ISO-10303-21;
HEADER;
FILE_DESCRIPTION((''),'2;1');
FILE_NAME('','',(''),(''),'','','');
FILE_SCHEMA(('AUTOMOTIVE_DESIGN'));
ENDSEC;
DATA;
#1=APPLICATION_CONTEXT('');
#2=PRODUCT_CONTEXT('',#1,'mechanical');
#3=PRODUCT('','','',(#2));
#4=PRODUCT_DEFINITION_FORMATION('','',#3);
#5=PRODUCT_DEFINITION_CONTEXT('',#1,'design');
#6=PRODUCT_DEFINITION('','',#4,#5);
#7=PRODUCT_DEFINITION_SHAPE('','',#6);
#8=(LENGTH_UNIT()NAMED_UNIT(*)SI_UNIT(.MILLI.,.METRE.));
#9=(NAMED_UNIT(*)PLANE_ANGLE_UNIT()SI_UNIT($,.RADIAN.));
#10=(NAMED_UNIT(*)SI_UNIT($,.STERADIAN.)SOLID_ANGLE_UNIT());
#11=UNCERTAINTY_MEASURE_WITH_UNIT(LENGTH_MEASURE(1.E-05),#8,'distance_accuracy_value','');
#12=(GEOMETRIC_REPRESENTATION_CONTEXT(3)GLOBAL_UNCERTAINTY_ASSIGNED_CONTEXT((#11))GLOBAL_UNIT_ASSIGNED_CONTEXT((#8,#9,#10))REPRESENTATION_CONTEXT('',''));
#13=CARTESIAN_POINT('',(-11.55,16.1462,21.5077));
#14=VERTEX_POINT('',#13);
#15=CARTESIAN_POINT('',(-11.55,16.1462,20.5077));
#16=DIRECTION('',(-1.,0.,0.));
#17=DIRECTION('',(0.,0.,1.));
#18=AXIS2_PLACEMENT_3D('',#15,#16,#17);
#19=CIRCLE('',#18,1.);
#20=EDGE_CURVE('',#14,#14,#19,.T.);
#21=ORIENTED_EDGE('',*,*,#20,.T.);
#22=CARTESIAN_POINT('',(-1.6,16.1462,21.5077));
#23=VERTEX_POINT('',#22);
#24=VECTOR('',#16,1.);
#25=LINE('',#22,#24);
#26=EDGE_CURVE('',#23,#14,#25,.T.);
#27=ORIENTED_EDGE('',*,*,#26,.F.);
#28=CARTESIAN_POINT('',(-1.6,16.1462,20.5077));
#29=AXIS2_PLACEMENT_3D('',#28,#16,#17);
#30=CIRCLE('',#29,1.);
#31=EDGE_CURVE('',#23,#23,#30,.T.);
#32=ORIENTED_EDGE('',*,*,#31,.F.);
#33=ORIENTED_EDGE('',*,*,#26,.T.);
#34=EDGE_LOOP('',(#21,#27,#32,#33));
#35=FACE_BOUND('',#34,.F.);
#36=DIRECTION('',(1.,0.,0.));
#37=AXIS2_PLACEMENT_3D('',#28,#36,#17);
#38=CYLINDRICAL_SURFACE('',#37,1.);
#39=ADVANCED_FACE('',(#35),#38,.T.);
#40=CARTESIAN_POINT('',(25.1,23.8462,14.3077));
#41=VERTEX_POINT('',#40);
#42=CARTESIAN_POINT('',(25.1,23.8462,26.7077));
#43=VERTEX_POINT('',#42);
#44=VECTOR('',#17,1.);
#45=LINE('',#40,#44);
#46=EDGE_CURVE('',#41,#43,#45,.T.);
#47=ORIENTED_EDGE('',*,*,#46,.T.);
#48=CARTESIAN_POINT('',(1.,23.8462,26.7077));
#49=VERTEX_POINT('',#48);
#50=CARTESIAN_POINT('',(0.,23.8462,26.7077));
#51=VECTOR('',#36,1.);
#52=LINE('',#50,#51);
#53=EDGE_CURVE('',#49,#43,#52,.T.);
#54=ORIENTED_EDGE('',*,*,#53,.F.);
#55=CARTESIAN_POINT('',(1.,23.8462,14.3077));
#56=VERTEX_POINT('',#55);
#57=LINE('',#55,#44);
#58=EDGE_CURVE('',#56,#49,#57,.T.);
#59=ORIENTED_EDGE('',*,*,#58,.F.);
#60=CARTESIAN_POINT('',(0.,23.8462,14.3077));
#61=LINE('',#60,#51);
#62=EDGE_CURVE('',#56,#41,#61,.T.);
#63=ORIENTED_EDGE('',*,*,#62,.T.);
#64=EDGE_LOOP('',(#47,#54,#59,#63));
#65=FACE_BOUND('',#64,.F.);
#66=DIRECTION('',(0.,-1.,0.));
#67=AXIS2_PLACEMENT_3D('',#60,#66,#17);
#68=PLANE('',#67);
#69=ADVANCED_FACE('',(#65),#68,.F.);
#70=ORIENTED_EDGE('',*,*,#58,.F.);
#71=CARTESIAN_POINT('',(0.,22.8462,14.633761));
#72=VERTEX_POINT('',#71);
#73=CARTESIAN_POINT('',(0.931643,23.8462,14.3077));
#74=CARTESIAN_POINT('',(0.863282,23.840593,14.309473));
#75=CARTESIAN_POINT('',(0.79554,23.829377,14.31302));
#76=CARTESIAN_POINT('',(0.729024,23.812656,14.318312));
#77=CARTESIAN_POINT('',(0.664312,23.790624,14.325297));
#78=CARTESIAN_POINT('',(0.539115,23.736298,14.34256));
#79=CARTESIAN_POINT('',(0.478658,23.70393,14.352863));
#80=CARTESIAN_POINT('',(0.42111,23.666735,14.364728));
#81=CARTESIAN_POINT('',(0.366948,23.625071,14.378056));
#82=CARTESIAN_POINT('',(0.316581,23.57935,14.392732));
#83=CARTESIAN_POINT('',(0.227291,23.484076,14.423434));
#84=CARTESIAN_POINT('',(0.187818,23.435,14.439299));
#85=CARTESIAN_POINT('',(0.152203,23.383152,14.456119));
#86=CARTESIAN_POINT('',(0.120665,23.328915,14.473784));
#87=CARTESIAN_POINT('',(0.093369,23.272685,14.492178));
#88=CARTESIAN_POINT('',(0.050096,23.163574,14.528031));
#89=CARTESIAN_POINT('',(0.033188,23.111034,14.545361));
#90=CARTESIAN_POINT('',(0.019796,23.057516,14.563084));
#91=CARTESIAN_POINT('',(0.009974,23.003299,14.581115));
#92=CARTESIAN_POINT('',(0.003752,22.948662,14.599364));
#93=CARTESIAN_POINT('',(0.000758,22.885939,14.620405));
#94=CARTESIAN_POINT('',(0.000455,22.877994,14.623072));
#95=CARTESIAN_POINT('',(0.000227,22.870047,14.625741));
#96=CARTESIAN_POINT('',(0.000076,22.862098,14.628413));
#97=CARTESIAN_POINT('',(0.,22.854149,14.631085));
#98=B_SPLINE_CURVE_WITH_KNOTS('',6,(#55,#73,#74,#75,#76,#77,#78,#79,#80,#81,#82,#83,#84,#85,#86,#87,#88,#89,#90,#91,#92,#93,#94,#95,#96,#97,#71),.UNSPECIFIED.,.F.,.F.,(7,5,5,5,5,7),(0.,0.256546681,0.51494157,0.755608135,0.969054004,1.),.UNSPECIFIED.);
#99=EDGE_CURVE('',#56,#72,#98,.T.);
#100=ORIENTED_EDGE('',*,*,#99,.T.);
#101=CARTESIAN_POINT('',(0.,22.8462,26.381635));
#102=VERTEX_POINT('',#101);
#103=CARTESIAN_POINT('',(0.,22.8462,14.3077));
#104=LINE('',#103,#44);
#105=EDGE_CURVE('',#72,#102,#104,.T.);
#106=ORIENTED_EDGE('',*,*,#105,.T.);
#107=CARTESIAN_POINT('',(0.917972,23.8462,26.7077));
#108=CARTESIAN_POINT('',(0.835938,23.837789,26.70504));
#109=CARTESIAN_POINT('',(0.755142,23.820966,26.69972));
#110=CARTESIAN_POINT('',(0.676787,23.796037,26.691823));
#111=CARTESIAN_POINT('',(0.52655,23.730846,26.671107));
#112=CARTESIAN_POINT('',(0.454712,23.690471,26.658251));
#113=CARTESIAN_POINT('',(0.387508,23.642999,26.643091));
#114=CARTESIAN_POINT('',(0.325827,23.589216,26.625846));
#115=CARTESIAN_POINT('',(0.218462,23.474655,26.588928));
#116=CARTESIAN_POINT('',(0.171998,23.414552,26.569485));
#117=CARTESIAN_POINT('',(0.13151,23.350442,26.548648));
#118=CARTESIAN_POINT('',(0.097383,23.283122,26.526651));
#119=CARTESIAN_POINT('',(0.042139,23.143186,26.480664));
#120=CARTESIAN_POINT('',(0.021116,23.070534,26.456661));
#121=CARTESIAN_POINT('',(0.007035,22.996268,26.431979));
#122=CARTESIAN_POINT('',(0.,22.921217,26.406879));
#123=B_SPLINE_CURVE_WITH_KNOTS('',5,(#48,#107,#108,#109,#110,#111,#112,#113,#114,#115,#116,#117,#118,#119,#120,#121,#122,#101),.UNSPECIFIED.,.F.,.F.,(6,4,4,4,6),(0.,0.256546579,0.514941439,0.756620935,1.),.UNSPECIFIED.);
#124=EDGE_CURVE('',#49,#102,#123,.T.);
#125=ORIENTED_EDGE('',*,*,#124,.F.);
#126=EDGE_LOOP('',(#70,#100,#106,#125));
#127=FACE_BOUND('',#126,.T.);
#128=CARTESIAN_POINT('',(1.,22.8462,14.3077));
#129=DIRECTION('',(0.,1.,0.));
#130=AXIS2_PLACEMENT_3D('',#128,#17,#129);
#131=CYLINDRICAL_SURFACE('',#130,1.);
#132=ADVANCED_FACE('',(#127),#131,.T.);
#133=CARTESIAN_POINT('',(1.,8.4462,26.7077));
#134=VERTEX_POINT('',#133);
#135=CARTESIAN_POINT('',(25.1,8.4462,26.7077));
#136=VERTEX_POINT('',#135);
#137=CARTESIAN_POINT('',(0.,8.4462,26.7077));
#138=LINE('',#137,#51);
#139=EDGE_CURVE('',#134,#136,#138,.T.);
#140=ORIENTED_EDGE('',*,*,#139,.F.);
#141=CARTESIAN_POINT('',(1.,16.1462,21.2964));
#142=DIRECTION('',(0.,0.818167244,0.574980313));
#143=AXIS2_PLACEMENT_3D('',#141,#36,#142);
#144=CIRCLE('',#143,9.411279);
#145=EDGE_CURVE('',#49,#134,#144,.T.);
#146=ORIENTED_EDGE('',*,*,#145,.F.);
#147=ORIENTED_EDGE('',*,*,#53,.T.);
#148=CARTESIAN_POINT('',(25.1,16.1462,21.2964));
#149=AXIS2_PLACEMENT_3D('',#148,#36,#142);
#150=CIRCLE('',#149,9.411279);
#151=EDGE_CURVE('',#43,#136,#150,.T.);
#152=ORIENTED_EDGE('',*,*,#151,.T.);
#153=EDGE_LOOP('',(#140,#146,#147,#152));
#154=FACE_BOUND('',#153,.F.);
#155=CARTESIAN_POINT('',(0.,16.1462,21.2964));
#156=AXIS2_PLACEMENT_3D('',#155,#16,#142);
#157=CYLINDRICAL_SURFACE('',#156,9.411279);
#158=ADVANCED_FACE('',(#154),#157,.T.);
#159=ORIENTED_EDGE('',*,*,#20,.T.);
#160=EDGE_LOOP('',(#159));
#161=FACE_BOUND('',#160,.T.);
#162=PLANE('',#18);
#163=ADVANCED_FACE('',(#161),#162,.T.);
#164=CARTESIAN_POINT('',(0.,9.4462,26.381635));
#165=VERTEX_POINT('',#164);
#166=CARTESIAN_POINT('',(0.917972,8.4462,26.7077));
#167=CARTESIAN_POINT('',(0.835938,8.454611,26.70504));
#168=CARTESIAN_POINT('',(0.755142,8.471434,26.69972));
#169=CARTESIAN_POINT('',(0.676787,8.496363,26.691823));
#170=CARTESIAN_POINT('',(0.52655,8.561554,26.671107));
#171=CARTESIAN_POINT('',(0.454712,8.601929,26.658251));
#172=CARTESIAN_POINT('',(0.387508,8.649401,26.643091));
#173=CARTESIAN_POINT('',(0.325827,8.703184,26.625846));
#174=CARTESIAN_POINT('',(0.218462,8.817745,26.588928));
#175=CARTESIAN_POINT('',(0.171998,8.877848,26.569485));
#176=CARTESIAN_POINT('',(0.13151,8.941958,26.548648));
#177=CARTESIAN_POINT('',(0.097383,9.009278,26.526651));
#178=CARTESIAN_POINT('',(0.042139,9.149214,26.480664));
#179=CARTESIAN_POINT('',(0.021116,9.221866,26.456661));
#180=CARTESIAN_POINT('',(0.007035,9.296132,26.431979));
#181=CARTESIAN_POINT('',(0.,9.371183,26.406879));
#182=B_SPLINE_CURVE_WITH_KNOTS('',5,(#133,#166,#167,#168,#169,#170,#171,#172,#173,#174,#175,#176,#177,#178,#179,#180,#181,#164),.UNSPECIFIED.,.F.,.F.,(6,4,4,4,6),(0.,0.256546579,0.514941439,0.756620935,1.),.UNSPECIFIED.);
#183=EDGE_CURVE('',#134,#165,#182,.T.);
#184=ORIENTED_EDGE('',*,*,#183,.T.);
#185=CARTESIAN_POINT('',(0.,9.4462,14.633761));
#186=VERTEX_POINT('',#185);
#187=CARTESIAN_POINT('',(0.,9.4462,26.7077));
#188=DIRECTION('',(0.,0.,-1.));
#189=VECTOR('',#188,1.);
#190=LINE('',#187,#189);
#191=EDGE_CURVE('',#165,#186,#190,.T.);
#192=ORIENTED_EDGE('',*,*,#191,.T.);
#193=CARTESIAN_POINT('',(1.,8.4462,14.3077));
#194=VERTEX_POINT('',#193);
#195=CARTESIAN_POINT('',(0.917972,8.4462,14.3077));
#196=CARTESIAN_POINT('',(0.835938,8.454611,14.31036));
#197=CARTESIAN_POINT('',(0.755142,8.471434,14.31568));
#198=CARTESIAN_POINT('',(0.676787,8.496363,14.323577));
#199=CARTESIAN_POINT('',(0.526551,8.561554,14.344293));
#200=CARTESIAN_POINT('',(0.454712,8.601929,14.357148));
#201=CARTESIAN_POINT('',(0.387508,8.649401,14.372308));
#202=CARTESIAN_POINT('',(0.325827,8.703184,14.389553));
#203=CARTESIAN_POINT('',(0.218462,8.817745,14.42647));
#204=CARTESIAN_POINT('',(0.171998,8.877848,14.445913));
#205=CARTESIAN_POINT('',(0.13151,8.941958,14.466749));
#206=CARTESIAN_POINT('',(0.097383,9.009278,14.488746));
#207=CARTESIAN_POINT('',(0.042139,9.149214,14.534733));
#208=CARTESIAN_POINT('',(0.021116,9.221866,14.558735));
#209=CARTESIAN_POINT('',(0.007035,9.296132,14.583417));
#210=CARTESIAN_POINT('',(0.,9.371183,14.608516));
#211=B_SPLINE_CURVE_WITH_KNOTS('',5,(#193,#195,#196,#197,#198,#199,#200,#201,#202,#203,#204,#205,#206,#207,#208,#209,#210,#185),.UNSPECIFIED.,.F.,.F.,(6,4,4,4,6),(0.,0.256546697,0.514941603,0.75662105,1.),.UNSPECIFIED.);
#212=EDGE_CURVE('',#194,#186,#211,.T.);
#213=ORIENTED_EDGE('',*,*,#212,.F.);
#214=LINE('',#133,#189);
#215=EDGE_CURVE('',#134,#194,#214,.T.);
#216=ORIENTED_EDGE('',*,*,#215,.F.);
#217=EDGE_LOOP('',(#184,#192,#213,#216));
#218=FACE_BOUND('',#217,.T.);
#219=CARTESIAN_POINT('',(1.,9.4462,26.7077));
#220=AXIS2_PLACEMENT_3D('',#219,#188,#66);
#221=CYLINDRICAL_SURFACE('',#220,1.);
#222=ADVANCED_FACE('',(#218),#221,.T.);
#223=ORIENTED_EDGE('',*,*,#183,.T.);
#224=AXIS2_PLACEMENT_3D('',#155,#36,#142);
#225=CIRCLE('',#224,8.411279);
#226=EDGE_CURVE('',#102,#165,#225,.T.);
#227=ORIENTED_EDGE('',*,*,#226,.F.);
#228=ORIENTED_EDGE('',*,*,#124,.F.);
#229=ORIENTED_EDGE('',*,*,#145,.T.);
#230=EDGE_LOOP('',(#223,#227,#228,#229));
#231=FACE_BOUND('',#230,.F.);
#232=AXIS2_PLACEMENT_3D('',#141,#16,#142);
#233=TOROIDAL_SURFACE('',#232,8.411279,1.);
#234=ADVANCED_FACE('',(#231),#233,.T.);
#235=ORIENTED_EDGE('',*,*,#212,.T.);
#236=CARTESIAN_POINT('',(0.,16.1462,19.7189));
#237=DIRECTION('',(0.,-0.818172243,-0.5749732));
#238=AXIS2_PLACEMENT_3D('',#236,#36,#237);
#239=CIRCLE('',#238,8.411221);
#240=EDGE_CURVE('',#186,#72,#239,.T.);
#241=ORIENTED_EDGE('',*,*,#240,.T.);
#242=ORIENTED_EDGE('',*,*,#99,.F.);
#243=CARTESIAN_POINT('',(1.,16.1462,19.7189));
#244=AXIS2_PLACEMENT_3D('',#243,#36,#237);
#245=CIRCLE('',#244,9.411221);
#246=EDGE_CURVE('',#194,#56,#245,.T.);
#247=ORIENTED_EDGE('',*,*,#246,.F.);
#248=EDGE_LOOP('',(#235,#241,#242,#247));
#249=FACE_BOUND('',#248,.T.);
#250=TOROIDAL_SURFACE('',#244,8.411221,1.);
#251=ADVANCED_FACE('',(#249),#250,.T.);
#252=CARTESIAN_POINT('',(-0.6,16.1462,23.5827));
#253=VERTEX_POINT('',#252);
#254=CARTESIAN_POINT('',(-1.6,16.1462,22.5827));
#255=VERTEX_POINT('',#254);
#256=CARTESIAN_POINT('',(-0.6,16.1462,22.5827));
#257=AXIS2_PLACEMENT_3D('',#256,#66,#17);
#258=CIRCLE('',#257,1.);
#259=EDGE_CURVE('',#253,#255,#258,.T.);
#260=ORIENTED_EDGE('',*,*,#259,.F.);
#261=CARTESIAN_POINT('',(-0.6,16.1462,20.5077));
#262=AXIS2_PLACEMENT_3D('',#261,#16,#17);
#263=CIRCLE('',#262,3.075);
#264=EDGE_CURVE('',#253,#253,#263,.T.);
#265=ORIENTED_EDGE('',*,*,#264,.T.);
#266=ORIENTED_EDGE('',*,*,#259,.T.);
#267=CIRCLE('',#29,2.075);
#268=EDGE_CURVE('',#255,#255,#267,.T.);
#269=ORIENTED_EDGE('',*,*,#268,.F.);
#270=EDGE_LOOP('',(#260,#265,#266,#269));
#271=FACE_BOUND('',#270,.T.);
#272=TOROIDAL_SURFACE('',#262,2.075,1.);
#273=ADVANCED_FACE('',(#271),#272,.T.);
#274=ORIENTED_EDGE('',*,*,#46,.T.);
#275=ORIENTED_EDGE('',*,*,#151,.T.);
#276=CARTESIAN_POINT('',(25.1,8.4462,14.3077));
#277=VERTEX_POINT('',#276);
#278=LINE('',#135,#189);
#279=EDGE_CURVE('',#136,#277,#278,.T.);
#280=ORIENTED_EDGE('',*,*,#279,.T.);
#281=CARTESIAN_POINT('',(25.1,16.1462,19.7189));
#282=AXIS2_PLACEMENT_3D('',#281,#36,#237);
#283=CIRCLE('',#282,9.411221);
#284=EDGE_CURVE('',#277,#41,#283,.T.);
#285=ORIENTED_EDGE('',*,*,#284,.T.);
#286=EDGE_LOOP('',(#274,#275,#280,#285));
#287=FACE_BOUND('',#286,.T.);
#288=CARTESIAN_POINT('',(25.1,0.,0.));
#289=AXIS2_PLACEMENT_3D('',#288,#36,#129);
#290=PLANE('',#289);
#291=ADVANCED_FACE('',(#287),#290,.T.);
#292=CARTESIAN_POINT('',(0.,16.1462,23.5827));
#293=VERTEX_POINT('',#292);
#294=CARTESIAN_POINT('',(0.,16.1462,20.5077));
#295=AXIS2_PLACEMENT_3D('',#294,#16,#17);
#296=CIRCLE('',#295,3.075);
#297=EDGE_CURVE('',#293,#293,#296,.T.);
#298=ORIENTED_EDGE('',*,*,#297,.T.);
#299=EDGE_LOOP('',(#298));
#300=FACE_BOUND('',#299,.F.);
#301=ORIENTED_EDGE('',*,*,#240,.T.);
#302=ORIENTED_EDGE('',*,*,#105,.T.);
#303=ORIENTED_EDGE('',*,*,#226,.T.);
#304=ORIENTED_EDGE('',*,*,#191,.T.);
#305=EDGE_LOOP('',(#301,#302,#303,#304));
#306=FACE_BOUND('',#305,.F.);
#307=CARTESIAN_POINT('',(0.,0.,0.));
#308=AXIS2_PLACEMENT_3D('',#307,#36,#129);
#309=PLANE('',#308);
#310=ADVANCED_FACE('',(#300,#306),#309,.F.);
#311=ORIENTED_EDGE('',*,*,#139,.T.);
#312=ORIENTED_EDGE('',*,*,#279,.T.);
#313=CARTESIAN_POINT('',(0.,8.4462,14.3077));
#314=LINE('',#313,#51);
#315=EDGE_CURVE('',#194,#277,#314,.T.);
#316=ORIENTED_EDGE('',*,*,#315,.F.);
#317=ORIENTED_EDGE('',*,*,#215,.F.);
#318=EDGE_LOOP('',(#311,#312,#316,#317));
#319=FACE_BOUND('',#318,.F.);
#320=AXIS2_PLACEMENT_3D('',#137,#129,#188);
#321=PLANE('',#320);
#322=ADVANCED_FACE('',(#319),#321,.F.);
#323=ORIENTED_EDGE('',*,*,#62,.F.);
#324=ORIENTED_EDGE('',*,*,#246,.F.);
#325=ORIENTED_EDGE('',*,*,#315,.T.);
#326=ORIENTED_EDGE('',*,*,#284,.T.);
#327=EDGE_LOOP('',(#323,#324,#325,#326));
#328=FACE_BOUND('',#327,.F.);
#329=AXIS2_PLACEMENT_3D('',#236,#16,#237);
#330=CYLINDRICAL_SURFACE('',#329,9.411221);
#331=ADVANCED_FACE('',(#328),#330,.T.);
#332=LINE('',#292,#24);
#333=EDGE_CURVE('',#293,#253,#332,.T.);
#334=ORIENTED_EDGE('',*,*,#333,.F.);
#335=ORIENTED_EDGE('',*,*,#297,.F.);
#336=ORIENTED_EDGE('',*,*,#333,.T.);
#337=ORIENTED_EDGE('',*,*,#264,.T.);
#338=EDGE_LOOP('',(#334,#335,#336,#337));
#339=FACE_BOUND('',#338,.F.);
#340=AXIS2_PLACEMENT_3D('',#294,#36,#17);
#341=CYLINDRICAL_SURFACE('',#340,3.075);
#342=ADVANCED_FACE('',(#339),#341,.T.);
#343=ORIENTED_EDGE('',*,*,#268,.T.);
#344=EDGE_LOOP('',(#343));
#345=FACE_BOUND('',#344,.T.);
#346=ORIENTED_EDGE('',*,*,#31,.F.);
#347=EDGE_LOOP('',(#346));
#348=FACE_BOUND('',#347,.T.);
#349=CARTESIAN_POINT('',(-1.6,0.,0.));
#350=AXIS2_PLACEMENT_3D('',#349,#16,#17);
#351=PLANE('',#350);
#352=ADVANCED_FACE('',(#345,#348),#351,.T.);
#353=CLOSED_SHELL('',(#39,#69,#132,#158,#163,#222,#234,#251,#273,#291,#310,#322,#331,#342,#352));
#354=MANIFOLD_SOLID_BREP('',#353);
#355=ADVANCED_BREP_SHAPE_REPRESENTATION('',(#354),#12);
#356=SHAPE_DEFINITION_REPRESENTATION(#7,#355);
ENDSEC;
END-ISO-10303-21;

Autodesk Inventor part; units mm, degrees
ref_plane "YZ Plane" through (0, 0, 0) normal (1, 0, 0) x (0, 1, 0)
ref_plane "XZ Plane" through (0, 0, 0) normal (0, 1, 0) x (-1, 0, 0)
ref_plane "XY Plane" through (0, 0, 0) normal (0, 0, 1) x (1, 0, 0)
sketch "Sketch3" plane through (0, 0, 0) normal (1, 0, 0) x (0, 1, 0)
  line L0 (23.8462, 26.7077) -> (8.4462, 26.7077) construction
  line L1 (8.4462, 26.7077) -> (8.4462, 14.3077)
  line L2 (8.4462, 14.3077) -> (23.8462, 14.3077) construction
  line L3 (23.8462, 14.3077) -> (23.8462, 26.7077)
  line L4 (16.1462, 26.7077) -> (16.1462, 30.7077) construction
  line L5 (16.1462, 14.3077) -> (16.1462, 10.3077) construction
  arc A0 (8.4462, 14.3077) -> (23.8462, 14.3077) centre (16.1462, 19.7189) ccw
  arc A1 (23.8462, 26.7077) -> (8.4462, 26.7077) centre (16.1462, 21.2964) ccw
  point P0 (0, 0)
  dimension "d9" = 12.4
  dimension "d10" = 15.4
  dimension "d11" = 4
  dimension "d12" = 4
  dimension "d13" = 20.4
extrude "Extrusion1" add sketch "Sketch3" along normal blind 25.1
sketch "Sketch4" plane through (0, 0, 0) normal (-1, 0, 0) x (0, 0, 1)
  line L0 (26.7077, 8.4462) -> (14.3077, 8.4462) projected
  line L1 (14.3077, 23.8462) -> (26.7077, 23.8462) projected
  arc A0 (14.3077, 23.8462) -> (14.3077, 8.4462) centre (19.7189, 16.1462) ccw projected
  arc A1 (26.7077, 8.4462) -> (26.7077, 23.8462) centre (21.2964, 16.1462) ccw projected
  circle A2 centre (20.5077, 16.1462) radius 3.075
  point P0 (0, 0)
  dimension "d16" = 6.15
extrude "Extrusion2" add sketch "Sketch4" along normal blind 1.6 contours A2
sketch "Sketch5" plane through (-1.6, 16.1462, 20.5077) normal (-1, 0, 0) x (0, 0, 1)
  circle A0 centre (0, 0) radius 1
  point P0 (-20.5077, -16.1462)
  dimension "d19" = 2
extrude "Extrusion3" add sketch "Sketch5" along normal blind 9.95
fillet "Fillet3" radius 1 5 edges at (-1.6, 16.1462, 17.4327) (0, 23.8462, 20.5077) (0, 16.1462, 30.7077) (0, 8.4462, 20.5077) (0, 16.1462, 10.3077)
properties part number "Motor" material "Iron, Cast"
